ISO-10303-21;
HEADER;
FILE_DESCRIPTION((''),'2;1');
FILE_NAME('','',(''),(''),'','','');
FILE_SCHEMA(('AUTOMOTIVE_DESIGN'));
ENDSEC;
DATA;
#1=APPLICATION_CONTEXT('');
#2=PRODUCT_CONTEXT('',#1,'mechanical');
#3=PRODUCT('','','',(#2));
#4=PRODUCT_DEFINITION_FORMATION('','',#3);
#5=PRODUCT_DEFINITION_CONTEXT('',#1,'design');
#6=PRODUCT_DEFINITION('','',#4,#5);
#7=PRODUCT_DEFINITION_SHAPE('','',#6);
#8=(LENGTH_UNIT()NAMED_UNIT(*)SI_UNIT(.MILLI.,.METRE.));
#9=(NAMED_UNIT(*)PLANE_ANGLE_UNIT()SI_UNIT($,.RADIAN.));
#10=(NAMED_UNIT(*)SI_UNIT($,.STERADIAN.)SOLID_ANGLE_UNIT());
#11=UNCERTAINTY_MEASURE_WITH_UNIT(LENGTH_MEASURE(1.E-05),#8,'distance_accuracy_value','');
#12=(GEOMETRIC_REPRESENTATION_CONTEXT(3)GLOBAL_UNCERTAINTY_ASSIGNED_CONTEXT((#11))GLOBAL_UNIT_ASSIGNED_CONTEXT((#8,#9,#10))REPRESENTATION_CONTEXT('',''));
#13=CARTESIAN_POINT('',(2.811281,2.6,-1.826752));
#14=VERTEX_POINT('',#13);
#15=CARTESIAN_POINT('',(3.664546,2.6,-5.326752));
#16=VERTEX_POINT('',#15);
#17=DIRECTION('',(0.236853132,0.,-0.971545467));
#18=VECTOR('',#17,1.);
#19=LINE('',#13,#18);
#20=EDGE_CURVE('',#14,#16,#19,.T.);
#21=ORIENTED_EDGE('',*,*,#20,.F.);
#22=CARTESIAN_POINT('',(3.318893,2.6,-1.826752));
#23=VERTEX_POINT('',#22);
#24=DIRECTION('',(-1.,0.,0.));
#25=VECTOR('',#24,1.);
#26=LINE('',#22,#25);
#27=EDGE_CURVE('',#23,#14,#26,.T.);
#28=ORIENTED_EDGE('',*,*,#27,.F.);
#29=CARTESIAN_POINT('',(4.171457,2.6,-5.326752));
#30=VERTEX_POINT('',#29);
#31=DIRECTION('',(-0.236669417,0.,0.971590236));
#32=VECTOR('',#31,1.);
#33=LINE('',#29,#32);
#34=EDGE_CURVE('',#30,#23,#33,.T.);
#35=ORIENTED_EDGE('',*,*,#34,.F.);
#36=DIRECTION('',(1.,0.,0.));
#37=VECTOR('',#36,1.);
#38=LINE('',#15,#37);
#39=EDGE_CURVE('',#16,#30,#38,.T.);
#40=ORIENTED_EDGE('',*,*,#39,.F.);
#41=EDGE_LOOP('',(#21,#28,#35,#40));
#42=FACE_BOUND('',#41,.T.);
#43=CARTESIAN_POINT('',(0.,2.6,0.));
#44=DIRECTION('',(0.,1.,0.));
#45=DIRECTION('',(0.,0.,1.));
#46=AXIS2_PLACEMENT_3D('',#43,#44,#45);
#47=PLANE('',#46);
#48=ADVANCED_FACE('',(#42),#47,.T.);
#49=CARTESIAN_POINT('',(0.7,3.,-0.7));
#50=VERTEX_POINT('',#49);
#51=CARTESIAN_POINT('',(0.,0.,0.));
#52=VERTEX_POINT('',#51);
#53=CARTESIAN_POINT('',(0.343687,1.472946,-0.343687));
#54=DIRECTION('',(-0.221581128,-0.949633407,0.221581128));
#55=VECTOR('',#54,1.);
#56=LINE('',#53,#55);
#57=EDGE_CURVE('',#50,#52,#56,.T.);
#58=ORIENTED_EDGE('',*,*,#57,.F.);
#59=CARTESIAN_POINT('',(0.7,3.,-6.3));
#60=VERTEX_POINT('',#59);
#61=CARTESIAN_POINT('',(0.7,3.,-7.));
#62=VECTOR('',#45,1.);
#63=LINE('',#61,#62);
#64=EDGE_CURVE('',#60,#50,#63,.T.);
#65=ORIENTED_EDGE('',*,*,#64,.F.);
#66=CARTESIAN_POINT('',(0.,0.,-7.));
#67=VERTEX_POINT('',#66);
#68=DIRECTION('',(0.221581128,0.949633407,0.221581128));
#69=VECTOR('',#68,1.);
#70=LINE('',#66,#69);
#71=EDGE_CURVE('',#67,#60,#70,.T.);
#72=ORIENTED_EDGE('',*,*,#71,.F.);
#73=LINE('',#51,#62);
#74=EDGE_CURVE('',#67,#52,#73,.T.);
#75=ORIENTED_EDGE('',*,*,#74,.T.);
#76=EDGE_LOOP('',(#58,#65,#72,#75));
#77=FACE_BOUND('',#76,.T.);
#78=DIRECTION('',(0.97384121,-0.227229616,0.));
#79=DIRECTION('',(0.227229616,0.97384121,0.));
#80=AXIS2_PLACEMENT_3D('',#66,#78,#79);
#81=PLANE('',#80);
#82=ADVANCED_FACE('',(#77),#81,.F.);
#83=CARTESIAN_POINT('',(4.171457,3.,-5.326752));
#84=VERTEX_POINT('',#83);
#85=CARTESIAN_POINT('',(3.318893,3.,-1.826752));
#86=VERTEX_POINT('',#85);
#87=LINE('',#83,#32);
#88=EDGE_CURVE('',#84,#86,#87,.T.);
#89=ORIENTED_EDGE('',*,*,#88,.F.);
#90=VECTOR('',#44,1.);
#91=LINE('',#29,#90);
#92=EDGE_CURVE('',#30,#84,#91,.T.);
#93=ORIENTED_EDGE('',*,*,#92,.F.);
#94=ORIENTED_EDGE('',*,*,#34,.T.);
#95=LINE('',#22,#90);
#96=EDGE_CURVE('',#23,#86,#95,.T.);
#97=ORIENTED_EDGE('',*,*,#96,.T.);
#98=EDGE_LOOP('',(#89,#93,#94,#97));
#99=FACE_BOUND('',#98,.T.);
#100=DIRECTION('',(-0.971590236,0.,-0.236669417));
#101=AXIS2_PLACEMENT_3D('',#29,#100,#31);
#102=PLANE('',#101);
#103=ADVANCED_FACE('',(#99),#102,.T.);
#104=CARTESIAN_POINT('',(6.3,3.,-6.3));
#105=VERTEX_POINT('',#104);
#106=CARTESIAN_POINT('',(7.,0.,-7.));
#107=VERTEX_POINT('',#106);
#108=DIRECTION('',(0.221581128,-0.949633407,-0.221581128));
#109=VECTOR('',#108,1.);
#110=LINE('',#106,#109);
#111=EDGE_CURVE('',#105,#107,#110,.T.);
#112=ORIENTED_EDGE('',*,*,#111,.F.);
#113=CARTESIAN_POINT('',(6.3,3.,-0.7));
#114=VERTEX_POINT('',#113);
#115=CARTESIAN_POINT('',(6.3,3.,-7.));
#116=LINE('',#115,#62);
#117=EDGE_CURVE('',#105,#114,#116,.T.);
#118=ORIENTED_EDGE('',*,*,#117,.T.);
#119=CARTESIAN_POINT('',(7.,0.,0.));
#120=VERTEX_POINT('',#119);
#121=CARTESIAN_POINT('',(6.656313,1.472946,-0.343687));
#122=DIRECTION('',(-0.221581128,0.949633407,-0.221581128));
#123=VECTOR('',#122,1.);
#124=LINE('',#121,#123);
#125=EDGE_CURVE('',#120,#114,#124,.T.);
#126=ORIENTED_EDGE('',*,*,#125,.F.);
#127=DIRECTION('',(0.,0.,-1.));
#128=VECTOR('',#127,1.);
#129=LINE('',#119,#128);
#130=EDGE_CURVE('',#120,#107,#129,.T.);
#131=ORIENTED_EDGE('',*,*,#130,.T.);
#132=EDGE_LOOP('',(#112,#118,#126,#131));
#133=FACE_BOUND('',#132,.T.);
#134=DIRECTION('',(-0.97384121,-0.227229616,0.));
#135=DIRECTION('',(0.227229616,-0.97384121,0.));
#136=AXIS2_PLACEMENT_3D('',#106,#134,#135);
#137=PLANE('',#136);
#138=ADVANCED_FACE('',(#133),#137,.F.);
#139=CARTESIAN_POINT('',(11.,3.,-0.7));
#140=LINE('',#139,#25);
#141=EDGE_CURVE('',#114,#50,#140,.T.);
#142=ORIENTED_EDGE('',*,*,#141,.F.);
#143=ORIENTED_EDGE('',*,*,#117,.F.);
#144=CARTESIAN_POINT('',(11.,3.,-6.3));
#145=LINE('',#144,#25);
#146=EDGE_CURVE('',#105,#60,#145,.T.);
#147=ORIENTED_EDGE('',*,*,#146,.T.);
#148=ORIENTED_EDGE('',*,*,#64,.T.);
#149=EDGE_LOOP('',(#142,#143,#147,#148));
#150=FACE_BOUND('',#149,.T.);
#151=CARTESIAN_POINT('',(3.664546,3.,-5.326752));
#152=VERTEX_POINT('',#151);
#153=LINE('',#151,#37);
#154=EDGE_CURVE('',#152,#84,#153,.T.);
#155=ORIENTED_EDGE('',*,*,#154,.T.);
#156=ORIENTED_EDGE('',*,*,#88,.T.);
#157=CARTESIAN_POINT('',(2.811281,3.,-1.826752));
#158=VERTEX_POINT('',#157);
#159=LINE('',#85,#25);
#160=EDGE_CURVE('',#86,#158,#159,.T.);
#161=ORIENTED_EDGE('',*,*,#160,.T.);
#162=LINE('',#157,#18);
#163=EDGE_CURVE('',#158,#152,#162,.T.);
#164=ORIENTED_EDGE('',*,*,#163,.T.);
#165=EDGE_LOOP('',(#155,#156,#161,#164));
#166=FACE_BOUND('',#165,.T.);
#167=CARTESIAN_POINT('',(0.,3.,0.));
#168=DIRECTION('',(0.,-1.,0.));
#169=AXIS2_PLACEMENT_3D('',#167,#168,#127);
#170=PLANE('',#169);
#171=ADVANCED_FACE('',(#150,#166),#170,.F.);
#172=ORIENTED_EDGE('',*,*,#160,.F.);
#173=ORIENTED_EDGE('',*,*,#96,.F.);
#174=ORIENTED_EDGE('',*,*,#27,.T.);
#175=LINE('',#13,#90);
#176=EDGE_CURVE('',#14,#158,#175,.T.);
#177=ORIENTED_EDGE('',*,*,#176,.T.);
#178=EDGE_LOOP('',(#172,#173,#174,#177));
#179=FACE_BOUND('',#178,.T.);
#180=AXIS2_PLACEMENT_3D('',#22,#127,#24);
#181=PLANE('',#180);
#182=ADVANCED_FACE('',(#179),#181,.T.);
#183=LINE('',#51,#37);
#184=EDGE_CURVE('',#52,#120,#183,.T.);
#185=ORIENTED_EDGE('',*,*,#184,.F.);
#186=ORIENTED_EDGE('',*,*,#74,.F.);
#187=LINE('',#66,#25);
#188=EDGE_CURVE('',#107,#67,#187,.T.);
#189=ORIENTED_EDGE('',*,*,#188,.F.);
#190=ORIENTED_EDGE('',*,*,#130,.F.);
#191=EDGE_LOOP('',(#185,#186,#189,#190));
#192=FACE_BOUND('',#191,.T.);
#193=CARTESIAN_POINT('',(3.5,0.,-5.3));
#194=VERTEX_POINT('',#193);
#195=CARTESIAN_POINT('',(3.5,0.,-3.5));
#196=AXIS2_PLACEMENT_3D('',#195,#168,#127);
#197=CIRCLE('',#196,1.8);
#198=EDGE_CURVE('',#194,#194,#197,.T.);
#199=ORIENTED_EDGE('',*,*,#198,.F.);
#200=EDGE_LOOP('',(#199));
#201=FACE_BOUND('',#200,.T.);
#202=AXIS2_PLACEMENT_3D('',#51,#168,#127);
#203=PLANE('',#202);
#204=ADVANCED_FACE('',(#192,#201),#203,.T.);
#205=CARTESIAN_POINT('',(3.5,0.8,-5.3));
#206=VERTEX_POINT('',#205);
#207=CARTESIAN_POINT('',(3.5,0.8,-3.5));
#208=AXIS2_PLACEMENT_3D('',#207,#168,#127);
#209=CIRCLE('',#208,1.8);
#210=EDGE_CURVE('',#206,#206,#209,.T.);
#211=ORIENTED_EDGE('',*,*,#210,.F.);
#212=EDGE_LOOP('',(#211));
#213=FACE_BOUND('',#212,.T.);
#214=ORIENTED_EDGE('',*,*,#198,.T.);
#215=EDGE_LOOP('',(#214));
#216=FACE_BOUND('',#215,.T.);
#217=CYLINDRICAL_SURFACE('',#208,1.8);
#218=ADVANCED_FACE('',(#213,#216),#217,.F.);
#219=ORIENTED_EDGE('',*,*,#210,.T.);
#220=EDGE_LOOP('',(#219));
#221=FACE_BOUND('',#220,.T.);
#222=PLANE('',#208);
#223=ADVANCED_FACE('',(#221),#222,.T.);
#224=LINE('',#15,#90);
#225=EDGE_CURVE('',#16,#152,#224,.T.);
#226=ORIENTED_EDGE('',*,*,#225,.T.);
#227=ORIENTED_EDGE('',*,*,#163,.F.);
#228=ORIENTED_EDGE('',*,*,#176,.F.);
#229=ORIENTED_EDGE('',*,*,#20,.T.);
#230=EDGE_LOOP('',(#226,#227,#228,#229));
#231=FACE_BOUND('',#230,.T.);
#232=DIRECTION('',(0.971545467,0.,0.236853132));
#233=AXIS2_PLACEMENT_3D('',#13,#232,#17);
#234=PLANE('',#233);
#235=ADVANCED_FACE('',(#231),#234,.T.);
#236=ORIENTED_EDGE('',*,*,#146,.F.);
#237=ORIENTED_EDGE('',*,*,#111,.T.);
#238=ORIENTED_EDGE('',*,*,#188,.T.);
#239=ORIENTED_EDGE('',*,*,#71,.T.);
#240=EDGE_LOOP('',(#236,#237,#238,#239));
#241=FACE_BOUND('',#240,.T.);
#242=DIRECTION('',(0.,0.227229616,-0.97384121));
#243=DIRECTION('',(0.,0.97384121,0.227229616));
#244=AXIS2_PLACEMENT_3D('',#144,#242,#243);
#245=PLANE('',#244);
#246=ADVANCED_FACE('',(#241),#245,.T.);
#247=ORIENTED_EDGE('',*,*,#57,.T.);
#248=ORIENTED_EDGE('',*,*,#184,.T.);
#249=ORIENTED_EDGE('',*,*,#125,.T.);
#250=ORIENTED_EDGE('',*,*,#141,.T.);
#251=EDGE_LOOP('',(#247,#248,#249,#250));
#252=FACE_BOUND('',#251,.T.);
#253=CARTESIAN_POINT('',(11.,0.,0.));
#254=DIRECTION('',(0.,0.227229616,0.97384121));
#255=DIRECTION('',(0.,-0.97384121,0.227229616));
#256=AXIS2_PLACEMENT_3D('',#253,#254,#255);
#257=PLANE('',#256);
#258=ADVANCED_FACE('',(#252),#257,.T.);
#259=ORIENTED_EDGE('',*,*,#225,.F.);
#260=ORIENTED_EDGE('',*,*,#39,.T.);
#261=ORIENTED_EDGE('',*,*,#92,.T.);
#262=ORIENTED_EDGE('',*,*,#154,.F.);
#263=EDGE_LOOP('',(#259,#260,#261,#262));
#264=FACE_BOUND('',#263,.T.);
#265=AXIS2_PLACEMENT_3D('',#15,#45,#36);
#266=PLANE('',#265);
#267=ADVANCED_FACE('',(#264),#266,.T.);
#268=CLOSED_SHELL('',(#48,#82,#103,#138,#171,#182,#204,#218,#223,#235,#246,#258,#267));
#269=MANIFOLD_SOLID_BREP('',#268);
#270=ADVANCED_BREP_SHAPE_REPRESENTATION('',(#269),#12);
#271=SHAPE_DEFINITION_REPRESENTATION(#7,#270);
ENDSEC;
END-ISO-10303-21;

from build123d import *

# Parameters (mm, degrees)
SKETCH1_W           = 7
SKETCH1_H           = 7
BOSS_EXTRUDE1_DEPTH = 3
CUT_EXTRUDE1_DEPTH  = 7
CUT_EXTRUDE2_DEPTH  = 11
SKETCH4_R           = 1.8
CUT_EXTRUDE3_DEPTH  = 0.8
CUT_EXTRUDE4_DEPTH  = 0.4


with BuildPart() as part:
    # Sketch1 → Boss-Extrude1 (new body)
    with BuildSketch(Plane(origin=(0, 0, 0), x_dir=(1, 0, 0), z_dir=(0, 1, 0))):
        with Locations((3.5, 3.5)):
            Rectangle(SKETCH1_W, SKETCH1_H)
    extrude(amount=BOSS_EXTRUDE1_DEPTH)

    # Sketch2 → Cut-Extrude1 (cut)
    with BuildSketch(Plane.XY):
        Polygon((0, 0), (0.7, 3), (0, 3), align=None)
        Polygon((7, 0), (6.3, 3), (7, 3), align=None)
    extrude(amount=-CUT_EXTRUDE1_DEPTH, mode=Mode.SUBTRACT)

    # Sketch3 → Cut-Extrude2 (cut)
    with BuildSketch(Plane(origin=(0, 0, 0), x_dir=(0, 0, -1), z_dir=(1, 0, 0))):
        Polygon((0, 0), (0.7, 3), (0, 3), align=None)
        Polygon((7, 3), (6.3, 3), (7, 0), align=None)
    extrude(amount=CUT_EXTRUDE2_DEPTH, mode=Mode.SUBTRACT)

    # Sketch4 → Cut-Extrude3 (cut)
    with BuildSketch(Plane.XZ):
        with Locations(Location((3.5, -3.5, 0), (0, 0, 270))):
            Circle(SKETCH4_R)
    extrude(amount=-CUT_EXTRUDE3_DEPTH, mode=Mode.SUBTRACT)

    # Sketch6 → Cut-Extrude4 (cut)
    with BuildSketch(Plane(origin=(0, 3, 0), x_dir=(1, 0, 0), z_dir=(0, 1, 0))):
        Polygon((2.811280801, 1.826752028), (3.664546025, 5.326752028), (4.171457083, 5.326752028), (3.318892981, 1.826752028), align=None)
    extrude(amount=-CUT_EXTRUDE4_DEPTH, mode=Mode.SUBTRACT)


solid = part.part
